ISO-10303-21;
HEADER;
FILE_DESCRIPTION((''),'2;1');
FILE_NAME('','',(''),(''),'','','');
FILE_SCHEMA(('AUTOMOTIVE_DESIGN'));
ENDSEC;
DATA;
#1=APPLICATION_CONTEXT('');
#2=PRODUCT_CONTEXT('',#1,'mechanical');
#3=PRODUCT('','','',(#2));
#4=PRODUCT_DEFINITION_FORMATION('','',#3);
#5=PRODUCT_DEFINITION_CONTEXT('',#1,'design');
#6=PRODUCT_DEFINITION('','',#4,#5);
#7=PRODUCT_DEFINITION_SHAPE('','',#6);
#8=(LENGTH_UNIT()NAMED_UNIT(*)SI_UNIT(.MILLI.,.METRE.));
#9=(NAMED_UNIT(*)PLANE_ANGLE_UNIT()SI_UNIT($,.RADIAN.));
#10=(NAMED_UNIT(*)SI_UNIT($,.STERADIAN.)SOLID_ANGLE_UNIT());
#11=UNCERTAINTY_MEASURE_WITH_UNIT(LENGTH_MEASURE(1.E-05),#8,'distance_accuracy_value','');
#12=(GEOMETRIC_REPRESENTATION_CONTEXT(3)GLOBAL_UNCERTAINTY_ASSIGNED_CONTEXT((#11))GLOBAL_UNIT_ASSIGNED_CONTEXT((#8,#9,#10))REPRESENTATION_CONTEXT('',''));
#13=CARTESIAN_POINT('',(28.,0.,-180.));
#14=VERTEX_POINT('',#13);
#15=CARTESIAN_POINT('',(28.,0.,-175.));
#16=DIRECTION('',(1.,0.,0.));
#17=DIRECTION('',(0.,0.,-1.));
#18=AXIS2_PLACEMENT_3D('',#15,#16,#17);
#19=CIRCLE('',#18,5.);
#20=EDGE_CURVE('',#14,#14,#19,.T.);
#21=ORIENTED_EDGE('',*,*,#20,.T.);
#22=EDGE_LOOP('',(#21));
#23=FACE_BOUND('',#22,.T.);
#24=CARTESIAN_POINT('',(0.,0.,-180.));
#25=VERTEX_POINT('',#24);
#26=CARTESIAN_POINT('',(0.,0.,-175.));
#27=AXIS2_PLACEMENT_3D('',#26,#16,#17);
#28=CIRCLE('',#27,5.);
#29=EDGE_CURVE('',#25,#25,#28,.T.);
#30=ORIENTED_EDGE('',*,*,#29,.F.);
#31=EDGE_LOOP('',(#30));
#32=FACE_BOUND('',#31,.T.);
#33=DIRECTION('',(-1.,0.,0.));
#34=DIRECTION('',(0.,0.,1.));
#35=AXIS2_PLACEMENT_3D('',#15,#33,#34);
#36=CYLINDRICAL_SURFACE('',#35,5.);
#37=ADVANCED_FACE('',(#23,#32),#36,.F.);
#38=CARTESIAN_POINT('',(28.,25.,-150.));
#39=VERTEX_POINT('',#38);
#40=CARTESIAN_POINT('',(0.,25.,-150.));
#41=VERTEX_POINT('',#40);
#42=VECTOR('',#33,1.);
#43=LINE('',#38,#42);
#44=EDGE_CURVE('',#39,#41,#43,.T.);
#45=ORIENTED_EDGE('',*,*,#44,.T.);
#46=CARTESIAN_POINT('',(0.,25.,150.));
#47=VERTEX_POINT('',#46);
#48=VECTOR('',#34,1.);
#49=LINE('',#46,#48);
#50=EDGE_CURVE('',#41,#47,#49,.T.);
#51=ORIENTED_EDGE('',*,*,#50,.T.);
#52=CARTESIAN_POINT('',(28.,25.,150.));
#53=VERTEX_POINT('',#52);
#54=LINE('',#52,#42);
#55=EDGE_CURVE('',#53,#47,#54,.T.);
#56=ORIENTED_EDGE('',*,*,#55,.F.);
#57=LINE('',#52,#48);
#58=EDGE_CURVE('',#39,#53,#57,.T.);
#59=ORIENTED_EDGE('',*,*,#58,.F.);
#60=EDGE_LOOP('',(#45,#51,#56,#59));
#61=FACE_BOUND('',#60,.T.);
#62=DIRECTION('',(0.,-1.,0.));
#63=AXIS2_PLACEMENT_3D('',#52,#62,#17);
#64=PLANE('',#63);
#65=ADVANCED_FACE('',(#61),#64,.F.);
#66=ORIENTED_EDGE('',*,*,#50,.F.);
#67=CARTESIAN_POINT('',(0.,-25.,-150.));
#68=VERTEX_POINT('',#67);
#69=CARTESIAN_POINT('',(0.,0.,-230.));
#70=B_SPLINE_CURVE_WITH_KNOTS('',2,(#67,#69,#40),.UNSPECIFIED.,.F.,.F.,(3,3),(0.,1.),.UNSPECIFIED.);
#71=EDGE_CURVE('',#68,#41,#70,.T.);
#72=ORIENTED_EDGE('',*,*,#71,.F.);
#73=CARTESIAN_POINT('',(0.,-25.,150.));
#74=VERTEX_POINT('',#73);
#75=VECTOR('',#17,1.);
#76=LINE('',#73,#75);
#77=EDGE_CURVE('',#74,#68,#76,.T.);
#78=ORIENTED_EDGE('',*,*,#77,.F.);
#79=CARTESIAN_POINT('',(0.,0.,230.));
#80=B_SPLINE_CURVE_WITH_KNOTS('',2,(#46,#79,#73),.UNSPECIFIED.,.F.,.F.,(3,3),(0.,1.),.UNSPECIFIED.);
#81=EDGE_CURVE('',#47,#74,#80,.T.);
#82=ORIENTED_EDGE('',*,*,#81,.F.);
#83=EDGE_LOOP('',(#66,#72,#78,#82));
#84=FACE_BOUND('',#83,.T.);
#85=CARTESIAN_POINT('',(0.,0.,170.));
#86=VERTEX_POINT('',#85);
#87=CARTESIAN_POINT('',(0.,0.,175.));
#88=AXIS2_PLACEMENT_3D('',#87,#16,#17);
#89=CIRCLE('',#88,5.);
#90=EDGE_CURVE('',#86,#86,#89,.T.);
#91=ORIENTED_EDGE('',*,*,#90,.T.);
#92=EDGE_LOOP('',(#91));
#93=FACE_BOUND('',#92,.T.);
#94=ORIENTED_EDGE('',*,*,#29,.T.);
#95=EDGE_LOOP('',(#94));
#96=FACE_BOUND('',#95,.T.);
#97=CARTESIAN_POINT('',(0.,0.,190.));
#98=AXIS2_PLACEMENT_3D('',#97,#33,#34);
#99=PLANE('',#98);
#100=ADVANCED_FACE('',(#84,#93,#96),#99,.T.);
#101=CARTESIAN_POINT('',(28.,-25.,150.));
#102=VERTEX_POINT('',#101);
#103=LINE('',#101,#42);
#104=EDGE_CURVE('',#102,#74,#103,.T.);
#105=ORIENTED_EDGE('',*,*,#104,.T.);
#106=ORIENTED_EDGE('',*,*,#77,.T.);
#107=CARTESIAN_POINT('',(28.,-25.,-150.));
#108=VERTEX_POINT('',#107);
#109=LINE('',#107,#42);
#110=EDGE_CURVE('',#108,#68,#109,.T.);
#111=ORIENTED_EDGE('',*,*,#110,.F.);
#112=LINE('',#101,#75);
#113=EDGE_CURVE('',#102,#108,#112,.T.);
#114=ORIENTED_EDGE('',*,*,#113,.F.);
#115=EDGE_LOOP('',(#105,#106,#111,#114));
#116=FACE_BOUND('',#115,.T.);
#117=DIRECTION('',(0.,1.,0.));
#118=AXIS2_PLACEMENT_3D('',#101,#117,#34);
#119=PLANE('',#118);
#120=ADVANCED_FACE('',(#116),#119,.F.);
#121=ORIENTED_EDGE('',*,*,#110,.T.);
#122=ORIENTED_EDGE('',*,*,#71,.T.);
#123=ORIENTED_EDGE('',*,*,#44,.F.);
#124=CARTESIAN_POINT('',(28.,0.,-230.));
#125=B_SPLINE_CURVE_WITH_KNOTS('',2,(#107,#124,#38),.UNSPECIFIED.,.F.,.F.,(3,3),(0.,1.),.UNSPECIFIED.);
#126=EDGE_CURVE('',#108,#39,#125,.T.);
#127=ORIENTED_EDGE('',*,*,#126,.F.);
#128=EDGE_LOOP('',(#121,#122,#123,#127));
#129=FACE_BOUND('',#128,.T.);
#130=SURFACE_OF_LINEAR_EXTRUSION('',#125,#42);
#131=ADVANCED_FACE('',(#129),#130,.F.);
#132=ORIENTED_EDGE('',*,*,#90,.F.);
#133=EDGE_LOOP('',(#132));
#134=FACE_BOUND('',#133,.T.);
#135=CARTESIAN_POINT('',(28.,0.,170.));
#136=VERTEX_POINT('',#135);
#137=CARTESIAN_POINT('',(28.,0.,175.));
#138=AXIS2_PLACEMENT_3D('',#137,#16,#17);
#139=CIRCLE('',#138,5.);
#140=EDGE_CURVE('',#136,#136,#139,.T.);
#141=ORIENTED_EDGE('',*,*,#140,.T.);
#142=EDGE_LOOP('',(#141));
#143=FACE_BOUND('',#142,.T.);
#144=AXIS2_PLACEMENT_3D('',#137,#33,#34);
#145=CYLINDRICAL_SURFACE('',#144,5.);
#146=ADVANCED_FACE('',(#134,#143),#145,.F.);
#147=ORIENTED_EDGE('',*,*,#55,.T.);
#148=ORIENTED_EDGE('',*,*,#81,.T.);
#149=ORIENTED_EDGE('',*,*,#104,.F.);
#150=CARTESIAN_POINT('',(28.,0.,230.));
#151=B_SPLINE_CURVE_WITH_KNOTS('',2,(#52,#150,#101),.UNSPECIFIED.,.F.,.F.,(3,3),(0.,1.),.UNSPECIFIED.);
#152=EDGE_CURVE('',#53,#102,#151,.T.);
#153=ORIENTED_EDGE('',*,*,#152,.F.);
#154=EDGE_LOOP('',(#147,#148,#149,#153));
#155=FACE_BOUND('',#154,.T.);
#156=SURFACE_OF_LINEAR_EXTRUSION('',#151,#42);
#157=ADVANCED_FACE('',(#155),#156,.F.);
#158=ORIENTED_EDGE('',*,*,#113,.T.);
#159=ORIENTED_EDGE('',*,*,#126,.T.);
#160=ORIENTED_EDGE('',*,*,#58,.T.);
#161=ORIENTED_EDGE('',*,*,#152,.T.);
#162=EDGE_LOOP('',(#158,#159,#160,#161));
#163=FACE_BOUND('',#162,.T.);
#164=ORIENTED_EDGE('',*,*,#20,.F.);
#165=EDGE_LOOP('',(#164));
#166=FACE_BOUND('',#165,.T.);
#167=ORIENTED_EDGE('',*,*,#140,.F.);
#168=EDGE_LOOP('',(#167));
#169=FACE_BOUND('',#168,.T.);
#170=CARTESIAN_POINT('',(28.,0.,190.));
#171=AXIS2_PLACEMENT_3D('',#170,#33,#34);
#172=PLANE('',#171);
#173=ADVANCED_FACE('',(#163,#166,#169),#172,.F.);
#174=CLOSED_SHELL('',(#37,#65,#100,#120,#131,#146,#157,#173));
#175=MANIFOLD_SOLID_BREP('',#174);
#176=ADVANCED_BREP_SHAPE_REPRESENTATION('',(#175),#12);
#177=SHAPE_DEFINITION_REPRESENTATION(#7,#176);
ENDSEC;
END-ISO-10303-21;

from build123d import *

# Parameters (mm, degrees)
SKETCH1_R           = 5
BOSS_EXTRUDE1_DEPTH = 28


with BuildPart() as part:
    # Sketch1 → Boss-Extrude1 (new body)
    with BuildSketch(Plane(origin=(0, 0, 0), x_dir=(0, 0, -1), z_dir=(1, 0, 0))):
        with BuildLine():
            Line((-150, 25), (150, 25))
            add(Edge.make_bspline(
                [(150, 25), (230, 0), (150, -25)],
                knots=[0, 0, 0, 1, 1, 1], degree=2))
            Line((150, -25), (-150, -25))
            add(Edge.make_bspline(
                [(-150, 25), (-230, 0), (-150, -25)],
                knots=[0, 0, 0, 1, 1, 1], degree=2))
        make_face()
        with Locations((-175, 0)):
            Circle(SKETCH1_R, mode=Mode.SUBTRACT)
        with Locations((175, 0)):
            Circle(SKETCH1_R, mode=Mode.SUBTRACT)
    extrude(amount=BOSS_EXTRUDE1_DEPTH)


solid = part.part
